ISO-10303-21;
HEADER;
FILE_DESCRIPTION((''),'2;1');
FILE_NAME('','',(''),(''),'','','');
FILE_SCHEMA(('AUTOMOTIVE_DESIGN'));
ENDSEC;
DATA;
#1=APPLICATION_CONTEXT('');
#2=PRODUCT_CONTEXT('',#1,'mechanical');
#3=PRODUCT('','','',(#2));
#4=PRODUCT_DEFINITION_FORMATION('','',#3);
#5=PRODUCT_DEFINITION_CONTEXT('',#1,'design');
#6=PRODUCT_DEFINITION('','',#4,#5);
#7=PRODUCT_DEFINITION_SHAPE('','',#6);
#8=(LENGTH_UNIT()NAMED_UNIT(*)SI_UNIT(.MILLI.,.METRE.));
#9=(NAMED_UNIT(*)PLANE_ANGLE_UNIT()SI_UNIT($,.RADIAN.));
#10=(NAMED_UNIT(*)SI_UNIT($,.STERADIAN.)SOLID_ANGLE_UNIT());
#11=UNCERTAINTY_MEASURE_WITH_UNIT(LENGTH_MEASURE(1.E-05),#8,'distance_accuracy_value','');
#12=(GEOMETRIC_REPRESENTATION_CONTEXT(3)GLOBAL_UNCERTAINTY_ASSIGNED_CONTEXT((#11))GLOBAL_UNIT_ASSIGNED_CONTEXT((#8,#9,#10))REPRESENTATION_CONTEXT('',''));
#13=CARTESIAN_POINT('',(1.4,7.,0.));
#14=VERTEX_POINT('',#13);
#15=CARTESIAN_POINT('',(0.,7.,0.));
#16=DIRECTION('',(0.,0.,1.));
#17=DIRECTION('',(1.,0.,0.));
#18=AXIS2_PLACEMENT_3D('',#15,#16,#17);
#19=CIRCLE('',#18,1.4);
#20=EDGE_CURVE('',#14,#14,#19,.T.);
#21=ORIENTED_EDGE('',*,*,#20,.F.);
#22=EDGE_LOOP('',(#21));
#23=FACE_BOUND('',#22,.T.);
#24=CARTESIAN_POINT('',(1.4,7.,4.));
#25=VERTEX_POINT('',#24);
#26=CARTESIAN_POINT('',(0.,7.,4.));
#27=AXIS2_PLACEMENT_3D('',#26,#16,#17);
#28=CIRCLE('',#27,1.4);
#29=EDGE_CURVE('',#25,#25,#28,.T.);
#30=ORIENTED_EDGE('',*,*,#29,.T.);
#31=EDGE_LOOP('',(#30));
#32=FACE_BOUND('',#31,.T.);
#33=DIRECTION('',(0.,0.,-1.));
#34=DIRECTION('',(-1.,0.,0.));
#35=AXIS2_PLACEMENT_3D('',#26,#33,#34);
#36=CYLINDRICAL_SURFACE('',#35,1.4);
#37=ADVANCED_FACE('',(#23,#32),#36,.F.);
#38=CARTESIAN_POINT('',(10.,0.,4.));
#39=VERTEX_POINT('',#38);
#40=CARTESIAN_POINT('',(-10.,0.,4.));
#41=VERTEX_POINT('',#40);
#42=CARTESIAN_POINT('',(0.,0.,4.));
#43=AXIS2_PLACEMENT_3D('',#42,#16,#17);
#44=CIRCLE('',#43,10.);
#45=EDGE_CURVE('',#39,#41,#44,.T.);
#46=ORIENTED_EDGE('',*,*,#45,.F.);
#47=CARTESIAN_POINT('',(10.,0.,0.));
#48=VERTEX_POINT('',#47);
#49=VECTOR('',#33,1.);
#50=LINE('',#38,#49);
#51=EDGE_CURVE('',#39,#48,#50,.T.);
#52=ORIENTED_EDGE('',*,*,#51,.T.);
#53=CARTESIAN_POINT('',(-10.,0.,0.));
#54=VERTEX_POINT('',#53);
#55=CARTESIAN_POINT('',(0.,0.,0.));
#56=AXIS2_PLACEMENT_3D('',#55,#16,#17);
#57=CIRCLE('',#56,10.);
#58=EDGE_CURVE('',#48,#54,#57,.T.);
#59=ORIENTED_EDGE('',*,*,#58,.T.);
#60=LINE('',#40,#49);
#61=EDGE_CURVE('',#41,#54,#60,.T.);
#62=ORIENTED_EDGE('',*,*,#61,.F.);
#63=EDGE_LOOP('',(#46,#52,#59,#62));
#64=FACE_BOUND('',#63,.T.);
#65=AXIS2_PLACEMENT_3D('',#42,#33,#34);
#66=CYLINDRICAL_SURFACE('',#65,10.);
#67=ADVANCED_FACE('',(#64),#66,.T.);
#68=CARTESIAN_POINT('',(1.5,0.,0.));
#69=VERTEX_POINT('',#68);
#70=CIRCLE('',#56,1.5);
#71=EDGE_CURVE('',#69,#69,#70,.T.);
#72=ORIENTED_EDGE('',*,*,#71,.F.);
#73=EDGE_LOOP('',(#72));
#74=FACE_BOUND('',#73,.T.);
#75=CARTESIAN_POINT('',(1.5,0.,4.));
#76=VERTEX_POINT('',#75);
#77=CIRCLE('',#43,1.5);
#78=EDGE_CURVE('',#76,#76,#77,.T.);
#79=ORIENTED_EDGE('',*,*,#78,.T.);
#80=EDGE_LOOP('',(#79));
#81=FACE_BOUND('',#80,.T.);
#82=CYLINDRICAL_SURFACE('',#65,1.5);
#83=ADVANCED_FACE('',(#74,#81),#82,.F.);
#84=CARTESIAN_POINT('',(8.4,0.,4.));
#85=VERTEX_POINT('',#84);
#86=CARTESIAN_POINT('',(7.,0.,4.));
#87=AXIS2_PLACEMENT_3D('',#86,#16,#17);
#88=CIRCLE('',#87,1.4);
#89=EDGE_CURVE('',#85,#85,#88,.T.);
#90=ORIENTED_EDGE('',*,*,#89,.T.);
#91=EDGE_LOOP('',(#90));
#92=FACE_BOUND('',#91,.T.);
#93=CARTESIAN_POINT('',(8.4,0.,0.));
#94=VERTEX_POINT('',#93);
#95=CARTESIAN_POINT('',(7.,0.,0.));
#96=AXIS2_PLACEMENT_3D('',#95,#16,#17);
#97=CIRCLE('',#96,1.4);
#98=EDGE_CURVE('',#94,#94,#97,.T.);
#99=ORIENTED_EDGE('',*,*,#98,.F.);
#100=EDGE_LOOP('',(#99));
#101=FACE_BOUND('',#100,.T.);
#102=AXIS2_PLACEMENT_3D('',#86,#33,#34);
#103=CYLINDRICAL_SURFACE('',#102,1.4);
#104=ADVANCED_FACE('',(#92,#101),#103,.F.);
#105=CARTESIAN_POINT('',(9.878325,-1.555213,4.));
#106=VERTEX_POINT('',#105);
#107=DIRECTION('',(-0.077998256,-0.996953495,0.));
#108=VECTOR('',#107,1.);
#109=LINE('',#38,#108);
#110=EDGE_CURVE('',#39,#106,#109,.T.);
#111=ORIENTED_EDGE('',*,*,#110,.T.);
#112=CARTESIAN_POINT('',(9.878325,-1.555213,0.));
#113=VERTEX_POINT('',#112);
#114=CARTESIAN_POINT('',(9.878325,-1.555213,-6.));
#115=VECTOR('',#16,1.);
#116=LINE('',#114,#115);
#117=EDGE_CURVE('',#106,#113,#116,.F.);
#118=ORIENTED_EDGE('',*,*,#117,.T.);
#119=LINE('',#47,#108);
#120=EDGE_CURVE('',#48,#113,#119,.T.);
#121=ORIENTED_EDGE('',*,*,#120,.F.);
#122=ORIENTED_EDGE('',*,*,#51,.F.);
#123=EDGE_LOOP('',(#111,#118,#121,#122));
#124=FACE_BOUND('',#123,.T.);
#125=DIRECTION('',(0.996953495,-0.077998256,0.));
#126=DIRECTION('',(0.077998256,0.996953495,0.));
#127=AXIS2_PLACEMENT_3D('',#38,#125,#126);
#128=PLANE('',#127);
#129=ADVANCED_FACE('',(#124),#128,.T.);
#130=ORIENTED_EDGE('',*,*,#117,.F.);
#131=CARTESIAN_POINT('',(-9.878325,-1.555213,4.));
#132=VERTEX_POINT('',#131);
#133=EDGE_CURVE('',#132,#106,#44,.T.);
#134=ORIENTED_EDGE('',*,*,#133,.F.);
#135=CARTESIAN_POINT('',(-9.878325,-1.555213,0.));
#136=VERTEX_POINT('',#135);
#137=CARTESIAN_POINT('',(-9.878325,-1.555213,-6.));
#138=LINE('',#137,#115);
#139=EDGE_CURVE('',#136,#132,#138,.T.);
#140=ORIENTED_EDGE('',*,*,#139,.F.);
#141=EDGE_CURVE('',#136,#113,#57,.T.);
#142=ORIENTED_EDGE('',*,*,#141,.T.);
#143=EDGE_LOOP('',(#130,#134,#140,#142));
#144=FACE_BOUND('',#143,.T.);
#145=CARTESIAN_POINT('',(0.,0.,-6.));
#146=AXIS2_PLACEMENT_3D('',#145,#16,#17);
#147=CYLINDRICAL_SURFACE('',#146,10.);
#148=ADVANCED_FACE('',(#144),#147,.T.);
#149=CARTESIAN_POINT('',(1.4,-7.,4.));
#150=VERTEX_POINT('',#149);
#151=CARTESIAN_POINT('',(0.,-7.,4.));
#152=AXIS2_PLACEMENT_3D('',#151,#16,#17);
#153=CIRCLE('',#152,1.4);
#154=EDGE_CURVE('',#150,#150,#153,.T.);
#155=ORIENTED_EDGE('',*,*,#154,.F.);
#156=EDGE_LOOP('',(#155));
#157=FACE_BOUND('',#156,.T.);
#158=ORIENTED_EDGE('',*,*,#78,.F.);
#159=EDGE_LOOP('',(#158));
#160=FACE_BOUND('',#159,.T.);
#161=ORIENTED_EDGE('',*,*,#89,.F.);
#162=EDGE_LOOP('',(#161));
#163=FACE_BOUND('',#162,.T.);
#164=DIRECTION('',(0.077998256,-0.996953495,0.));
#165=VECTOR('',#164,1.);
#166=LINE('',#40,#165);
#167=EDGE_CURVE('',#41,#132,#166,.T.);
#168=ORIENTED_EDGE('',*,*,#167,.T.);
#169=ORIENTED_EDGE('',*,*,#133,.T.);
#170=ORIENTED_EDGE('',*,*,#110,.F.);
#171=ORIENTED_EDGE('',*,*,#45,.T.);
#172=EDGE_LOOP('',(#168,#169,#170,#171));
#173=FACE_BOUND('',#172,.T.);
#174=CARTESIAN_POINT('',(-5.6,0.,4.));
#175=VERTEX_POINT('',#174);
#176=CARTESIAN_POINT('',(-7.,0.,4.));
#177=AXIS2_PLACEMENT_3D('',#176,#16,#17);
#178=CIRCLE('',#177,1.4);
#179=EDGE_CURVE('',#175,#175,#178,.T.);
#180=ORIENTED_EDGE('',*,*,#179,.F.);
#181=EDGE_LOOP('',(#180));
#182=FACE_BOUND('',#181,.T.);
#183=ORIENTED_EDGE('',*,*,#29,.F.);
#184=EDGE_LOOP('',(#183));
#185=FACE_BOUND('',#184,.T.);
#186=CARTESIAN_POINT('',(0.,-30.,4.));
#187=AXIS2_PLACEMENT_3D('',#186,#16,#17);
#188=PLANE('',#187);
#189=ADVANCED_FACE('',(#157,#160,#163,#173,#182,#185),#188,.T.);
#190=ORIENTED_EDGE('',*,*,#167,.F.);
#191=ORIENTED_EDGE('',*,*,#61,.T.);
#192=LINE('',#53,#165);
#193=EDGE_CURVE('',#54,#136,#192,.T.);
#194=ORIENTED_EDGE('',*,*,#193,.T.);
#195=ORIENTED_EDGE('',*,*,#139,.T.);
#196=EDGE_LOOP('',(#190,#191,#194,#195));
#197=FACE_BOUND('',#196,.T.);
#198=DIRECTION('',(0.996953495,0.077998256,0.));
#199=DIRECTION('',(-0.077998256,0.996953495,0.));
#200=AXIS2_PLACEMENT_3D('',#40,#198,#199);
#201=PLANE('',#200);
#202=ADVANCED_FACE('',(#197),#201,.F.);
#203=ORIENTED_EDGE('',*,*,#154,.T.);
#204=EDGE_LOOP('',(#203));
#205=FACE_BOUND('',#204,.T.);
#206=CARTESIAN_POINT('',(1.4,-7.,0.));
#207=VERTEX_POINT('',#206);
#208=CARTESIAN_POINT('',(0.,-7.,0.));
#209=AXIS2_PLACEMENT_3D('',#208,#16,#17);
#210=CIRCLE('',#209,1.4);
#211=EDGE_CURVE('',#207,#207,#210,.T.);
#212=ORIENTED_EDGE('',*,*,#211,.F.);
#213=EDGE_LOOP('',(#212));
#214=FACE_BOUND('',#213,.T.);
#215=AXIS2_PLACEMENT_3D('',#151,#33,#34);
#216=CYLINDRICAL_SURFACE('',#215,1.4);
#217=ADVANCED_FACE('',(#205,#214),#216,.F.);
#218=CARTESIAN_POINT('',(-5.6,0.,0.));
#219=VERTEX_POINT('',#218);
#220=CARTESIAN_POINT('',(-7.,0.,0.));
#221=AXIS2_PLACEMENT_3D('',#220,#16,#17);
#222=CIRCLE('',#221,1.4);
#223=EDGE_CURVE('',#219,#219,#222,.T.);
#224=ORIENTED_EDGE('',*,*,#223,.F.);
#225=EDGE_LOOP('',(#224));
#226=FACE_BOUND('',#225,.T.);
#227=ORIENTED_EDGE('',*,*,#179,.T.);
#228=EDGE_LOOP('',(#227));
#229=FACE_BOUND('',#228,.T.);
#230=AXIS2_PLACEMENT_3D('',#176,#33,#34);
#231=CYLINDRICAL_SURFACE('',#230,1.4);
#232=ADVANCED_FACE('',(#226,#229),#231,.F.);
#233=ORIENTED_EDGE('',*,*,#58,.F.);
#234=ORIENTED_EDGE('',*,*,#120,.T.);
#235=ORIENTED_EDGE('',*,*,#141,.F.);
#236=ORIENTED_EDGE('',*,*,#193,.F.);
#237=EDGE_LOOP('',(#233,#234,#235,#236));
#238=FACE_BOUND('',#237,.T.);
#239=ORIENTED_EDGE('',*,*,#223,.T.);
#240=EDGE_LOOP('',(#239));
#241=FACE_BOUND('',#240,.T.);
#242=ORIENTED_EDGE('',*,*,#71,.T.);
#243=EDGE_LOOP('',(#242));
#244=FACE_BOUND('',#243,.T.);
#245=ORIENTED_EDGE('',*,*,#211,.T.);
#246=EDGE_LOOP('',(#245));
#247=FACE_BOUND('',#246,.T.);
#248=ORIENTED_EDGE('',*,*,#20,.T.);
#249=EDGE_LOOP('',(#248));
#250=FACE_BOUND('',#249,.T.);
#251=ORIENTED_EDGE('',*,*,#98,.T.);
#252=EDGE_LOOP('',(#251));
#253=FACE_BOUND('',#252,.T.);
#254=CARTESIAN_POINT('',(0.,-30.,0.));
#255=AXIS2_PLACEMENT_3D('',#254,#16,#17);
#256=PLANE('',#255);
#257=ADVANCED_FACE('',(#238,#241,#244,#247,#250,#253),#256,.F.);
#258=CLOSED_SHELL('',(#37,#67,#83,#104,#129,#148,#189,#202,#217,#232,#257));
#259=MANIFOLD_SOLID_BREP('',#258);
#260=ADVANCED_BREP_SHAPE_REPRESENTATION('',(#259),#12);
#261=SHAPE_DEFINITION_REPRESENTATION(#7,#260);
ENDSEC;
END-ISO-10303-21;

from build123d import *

# Parameters (mm, degrees)
SKETCH1_R           = 1.5
SKETCH1_R_2         = 1.4
BOSS_EXTRUDE1_DEPTH = 4
SKETCH2_R           = 1.4
CUT_EXTRUDE1_DEPTH  = 10


with BuildPart() as part:
    # Sketch1 → Boss-Extrude1 (new body)
    with BuildSketch(Plane.XY):
        with BuildLine():
            Line((-10, 0), (-7.652901889, -30))
            ThreePointArc((-7.652901889, -30), (0, -37.652901889), (7.652901889, -30))
            Line((7.652901889, -30), (10, 0))
            ThreePointArc((10, 0), (0, 10), (-10, 0))
        make_face()
        Circle(SKETCH1_R, mode=Mode.SUBTRACT)
        with Locations((7, 0)):
            Circle(SKETCH1_R_2, mode=Mode.SUBTRACT)
        with Locations((0, -7)):
            Circle(SKETCH1_R_2, mode=Mode.SUBTRACT)
        with Locations((-7, 0)):
            Circle(SKETCH1_R_2, mode=Mode.SUBTRACT)
        with Locations((0, 7)):
            Circle(SKETCH1_R_2, mode=Mode.SUBTRACT)
        with Locations((0, -30)):
            Circle(SKETCH1_R_2, mode=Mode.SUBTRACT)
    extrude(amount=BOSS_EXTRUDE1_DEPTH)

    # Sketch2 → Cut-Extrude1 (cut)
    with BuildSketch(Plane.XY.offset(4)):
        with BuildLine():
            ThreePointArc((9.878325443, -1.55521267), (0, -10), (-9.878325443, -1.55521267))
            Line((-9.878325443, -1.55521267), (-7.652901889, -30))
            ThreePointArc((-7.652901889, -30), (0, -37.652901889), (7.652901889, -30))
            Line((7.652901889, -30), (9.878325443, -1.55521267))
        make_face()
        with Locations((0, -30)):
            Circle(SKETCH2_R, mode=Mode.SUBTRACT)
    extrude(amount=-CUT_EXTRUDE1_DEPTH, mode=Mode.SUBTRACT)


solid = part.part
